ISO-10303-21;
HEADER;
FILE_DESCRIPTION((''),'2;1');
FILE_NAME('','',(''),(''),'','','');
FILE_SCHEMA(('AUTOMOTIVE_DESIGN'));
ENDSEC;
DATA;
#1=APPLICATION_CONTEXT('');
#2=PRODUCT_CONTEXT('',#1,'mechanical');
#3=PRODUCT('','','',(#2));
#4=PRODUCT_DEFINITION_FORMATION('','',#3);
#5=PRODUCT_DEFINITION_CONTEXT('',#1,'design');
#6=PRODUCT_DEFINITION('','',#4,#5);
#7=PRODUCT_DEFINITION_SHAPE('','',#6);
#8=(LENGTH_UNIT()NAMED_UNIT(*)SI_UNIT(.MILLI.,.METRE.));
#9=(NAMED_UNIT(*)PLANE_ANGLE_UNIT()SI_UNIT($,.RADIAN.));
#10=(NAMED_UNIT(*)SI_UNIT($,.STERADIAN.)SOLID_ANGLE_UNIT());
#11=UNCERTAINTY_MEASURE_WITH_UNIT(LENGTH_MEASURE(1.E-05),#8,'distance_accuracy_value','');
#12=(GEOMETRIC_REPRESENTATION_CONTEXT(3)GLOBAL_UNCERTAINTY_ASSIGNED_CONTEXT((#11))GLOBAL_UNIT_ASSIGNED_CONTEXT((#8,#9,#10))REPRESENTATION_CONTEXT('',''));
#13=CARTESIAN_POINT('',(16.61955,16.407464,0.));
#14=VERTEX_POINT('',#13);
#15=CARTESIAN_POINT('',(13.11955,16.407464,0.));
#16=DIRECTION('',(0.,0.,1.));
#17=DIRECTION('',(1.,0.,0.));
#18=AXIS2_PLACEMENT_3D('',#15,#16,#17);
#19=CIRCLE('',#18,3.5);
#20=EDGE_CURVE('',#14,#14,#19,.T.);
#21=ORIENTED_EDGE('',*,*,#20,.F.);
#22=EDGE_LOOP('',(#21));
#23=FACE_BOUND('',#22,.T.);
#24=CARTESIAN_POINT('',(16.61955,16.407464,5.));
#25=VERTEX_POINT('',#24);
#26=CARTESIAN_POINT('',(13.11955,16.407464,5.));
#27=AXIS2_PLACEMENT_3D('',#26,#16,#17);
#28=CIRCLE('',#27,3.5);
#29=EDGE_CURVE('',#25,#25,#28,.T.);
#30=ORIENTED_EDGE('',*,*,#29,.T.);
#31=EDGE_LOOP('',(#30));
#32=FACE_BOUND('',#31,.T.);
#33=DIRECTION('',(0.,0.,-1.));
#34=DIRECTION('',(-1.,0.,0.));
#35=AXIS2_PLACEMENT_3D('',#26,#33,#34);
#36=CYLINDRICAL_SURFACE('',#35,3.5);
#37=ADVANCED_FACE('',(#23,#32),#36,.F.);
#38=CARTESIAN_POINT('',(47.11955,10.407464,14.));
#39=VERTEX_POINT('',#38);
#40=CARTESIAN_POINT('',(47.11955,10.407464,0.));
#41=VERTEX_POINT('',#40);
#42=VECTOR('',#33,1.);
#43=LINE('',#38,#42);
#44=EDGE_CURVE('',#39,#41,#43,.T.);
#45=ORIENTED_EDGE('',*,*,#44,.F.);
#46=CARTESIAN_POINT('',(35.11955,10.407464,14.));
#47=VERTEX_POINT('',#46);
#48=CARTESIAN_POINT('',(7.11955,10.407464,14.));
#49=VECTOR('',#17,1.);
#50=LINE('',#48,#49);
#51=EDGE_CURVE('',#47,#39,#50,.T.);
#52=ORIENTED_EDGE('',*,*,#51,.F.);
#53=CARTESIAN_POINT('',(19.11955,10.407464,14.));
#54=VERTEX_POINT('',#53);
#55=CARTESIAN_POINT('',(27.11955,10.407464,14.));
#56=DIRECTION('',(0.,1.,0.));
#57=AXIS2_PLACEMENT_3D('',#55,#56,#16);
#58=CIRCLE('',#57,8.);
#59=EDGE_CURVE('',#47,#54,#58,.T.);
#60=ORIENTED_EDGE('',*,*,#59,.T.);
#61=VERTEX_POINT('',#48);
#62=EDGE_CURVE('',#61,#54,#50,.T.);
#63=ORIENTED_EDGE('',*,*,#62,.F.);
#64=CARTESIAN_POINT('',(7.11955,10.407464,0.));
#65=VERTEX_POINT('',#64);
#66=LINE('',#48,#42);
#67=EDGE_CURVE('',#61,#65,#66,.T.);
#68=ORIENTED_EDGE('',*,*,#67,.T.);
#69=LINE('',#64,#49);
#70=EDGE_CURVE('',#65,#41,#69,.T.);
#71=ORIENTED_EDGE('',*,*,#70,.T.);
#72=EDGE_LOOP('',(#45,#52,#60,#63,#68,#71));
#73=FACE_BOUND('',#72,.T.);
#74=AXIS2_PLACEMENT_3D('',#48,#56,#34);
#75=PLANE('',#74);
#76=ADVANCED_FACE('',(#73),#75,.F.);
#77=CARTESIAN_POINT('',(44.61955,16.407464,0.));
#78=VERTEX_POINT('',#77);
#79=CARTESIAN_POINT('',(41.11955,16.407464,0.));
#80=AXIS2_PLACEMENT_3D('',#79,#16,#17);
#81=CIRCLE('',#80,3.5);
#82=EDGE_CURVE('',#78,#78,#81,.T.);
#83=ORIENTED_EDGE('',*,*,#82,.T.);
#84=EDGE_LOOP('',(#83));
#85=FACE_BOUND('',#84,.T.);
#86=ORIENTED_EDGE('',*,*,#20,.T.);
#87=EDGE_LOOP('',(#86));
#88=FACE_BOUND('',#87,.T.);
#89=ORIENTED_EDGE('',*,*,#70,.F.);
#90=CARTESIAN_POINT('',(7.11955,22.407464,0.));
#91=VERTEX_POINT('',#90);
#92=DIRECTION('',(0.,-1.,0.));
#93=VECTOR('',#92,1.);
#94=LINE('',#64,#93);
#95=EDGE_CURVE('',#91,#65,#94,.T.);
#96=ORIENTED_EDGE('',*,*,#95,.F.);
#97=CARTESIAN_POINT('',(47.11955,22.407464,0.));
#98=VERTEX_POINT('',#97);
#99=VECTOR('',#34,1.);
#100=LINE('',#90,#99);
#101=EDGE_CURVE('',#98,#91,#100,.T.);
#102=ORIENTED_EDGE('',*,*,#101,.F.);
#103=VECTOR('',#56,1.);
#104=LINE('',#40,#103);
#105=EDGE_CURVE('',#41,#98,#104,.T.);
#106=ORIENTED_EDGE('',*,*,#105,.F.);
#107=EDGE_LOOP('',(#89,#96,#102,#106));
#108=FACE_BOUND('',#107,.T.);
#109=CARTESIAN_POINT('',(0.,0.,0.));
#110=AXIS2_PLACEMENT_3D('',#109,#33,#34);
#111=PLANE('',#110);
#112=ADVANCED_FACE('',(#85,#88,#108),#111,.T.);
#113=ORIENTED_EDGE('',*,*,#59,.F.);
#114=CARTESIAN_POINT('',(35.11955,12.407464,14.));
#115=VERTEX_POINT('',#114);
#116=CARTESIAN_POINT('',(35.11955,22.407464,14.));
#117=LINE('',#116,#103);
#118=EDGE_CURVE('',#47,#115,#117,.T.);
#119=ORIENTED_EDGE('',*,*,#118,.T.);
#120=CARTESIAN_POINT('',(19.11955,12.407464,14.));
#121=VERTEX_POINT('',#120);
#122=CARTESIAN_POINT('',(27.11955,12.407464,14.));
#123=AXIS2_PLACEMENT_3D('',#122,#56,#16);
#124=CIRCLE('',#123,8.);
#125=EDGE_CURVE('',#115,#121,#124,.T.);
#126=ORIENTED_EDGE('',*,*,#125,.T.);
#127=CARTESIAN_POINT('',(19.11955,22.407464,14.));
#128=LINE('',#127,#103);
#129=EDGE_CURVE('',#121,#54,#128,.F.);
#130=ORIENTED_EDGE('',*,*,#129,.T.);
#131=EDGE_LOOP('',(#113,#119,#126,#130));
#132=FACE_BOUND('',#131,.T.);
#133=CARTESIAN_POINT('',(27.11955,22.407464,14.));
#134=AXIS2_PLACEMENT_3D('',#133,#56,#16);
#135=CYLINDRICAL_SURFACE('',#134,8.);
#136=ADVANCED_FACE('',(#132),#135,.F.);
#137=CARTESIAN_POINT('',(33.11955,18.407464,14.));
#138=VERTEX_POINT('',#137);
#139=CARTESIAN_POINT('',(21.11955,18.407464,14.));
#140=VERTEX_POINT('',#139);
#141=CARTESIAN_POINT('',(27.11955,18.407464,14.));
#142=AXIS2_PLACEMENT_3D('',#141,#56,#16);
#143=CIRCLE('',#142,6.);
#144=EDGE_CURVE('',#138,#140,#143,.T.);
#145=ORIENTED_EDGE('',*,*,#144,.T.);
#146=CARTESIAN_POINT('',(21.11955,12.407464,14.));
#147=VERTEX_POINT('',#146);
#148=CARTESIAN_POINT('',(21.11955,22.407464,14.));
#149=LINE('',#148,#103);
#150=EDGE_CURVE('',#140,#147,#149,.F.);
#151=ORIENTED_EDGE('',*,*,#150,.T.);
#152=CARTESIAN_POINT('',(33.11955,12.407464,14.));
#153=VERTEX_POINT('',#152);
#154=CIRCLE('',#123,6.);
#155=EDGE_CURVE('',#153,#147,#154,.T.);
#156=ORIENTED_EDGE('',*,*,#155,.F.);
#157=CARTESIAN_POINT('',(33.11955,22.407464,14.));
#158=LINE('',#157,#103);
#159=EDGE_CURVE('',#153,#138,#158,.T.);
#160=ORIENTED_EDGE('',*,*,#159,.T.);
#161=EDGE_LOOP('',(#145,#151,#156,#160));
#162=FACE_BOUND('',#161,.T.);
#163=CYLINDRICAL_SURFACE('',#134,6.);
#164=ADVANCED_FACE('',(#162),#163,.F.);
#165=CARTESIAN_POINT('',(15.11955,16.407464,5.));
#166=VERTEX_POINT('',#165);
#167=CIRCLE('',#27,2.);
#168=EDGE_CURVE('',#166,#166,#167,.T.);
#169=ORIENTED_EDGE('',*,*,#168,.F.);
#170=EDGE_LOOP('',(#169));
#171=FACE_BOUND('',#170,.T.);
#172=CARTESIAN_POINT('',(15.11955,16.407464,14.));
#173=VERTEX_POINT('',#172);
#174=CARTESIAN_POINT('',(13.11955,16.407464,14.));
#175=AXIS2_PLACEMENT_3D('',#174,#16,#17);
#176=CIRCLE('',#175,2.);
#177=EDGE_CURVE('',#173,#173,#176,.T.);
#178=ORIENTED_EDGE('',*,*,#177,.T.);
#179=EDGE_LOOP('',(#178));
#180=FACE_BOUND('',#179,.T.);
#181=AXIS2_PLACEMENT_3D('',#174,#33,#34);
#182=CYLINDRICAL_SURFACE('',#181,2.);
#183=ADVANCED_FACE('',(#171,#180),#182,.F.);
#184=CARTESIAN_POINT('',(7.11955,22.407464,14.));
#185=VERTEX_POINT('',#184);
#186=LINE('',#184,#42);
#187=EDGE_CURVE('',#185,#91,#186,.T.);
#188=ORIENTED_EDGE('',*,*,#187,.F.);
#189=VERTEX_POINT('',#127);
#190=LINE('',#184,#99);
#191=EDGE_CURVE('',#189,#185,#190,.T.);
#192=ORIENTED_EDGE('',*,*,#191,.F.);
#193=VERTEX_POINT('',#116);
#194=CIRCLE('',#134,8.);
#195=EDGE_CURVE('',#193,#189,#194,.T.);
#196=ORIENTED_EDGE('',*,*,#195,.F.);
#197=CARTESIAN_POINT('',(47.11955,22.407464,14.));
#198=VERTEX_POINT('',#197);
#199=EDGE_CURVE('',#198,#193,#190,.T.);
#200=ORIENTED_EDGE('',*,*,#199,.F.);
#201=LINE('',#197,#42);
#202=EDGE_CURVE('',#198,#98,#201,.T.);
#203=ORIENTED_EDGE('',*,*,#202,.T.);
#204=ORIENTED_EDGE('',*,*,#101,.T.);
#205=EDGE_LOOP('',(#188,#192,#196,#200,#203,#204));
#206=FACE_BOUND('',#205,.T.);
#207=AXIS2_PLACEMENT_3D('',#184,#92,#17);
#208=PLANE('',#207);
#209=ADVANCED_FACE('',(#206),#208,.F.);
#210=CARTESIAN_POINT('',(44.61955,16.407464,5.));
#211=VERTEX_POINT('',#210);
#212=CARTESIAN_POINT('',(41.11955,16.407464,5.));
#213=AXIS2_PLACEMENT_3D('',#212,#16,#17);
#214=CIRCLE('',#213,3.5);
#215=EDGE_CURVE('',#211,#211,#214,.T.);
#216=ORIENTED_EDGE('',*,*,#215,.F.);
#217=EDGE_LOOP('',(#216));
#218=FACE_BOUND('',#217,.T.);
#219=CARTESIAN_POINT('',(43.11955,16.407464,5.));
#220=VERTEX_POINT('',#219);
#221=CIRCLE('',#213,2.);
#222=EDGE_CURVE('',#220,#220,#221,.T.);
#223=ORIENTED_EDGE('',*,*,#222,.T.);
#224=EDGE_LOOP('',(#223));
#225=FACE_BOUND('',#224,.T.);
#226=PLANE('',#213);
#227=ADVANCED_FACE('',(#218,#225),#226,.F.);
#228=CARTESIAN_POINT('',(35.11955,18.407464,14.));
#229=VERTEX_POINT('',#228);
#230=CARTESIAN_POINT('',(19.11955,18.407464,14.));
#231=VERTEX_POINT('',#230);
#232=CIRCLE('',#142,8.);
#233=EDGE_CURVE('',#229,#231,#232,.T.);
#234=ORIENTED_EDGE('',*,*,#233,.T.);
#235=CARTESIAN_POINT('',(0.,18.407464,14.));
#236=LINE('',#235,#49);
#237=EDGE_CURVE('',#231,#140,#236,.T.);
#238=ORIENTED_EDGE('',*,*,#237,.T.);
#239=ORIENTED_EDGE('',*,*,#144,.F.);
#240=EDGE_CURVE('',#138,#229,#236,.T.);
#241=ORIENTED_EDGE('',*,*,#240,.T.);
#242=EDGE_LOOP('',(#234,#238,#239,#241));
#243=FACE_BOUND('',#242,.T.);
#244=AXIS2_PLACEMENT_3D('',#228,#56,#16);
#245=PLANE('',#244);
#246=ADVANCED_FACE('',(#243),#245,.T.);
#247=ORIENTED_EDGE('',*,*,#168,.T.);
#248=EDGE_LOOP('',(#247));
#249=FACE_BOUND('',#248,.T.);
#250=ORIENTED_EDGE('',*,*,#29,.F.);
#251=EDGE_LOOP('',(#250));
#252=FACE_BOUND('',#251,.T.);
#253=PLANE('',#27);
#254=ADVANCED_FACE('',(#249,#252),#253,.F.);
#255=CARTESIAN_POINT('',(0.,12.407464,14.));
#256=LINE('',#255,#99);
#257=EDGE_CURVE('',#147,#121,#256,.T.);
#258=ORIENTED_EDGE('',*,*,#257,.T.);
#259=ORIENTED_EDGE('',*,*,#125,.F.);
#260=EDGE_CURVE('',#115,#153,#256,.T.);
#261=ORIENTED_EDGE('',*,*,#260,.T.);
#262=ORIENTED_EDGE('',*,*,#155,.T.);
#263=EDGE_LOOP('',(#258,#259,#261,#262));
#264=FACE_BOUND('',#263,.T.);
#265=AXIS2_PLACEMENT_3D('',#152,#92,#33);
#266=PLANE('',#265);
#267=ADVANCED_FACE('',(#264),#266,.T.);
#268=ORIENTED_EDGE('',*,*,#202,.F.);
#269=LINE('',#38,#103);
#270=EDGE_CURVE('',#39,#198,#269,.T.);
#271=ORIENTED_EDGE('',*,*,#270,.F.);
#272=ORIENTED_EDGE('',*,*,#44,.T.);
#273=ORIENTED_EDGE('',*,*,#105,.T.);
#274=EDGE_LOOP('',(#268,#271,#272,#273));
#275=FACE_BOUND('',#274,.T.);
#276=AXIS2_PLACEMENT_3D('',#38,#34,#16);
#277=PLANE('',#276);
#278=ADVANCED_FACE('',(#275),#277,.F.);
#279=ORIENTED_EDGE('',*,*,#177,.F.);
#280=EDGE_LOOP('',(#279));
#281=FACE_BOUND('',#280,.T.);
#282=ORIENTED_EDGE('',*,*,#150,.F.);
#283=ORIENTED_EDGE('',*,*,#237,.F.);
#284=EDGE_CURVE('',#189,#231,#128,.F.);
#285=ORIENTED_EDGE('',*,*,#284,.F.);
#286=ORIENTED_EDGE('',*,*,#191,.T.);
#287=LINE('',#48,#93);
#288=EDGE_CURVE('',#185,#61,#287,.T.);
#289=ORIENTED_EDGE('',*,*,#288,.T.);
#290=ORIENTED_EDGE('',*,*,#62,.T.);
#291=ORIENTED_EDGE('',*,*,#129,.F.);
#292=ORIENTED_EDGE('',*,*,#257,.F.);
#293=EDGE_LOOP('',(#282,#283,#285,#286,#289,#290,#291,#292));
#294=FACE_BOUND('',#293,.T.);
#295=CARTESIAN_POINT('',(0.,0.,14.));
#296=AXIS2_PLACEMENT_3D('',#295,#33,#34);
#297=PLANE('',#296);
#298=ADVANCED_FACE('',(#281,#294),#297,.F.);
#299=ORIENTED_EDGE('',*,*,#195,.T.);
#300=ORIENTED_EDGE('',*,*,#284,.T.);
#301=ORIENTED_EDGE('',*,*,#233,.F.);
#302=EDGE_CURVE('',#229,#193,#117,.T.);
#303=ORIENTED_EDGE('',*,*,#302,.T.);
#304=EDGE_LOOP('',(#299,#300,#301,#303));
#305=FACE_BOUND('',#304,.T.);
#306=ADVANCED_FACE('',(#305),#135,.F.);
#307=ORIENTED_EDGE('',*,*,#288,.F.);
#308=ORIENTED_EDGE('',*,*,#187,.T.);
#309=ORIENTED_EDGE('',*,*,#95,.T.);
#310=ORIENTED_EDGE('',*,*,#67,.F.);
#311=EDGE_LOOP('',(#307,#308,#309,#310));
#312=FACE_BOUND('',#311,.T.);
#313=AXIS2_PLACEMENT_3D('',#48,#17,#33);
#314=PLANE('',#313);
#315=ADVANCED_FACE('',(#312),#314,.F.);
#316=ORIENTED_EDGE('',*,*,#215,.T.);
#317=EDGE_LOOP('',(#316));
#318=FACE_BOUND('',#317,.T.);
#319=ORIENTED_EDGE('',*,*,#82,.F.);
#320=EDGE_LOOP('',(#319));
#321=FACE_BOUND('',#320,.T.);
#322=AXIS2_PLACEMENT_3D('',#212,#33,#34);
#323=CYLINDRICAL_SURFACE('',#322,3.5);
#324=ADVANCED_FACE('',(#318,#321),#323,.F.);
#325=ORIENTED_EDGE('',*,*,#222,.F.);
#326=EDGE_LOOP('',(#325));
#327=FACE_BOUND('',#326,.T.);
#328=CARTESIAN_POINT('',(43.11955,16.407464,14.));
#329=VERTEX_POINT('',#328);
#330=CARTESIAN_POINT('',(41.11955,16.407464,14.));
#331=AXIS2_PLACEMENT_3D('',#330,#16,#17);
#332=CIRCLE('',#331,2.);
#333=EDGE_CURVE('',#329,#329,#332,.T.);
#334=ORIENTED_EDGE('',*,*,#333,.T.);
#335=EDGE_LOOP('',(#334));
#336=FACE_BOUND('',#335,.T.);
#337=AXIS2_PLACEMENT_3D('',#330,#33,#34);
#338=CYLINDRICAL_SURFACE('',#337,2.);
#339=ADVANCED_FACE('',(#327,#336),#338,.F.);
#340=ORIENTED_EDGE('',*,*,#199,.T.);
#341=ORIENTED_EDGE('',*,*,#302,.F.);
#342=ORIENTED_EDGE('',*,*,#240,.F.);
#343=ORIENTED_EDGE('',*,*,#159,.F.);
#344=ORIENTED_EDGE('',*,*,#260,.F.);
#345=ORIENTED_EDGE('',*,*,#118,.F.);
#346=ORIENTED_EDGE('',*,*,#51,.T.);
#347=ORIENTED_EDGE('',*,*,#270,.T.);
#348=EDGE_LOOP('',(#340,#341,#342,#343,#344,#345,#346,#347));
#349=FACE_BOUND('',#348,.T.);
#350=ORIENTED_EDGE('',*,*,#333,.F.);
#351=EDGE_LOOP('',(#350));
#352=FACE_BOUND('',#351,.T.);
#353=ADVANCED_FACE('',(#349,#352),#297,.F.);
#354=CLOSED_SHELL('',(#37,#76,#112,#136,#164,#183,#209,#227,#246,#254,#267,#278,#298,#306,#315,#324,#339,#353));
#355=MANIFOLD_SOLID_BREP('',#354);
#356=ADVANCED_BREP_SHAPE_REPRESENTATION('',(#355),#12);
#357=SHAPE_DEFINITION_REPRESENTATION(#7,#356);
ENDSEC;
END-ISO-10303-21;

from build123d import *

# Parameters (mm, degrees)
SKETCH1_W           = 40
SKETCH1_H           = 12
SKETCH1_R           = 2
BOSS_EXTRUDE1_DEPTH = 14
SKETCH2_R           = 3.5
CUT_EXTRUDE1_DEPTH  = 5


with BuildPart() as part:
    # Sketch1 → Boss-Extrude1 (new body)
    with BuildSketch(Plane.XY):
        with Locations((27.119550003, 16.407464025)):
            Rectangle(SKETCH1_W, SKETCH1_H)
        with Locations((13.119550003, 16.407464025)):
            Circle(SKETCH1_R, mode=Mode.SUBTRACT)
        with Locations((41.119550003, 16.407464025)):
            Circle(SKETCH1_R, mode=Mode.SUBTRACT)
    extrude(amount=BOSS_EXTRUDE1_DEPTH)

    # Sketch2 → Cut-Extrude1 (cut)
    with BuildSketch(Plane.XY):
        with Locations((13.119550003, 16.407464025)):
            Circle(SKETCH2_R)
        with Locations((41.119550003, 16.407464025)):
            Circle(SKETCH2_R)
    extrude(amount=CUT_EXTRUDE1_DEPTH, mode=Mode.SUBTRACT)

    # Sketch3 → Cut-Revolve1 (revolve, cut)
    with BuildSketch(Plane.XY.offset(14)):
        Polygon((35.119550003, 22.407464025), (35.119550003, 18.407464025), (33.119550003, 18.407464025), (33.119550003, 12.407464025), (35.119550003, 12.407464025), (35.119550003, 10.407464025), (27.119550003, 10.407464025), (27.119550003, 22.407464025), align=None)
    revolve(axis=Axis((27.119550003, 22.407464025, 14), (0, -1, 0)), mode=Mode.SUBTRACT)


solid = part.part
